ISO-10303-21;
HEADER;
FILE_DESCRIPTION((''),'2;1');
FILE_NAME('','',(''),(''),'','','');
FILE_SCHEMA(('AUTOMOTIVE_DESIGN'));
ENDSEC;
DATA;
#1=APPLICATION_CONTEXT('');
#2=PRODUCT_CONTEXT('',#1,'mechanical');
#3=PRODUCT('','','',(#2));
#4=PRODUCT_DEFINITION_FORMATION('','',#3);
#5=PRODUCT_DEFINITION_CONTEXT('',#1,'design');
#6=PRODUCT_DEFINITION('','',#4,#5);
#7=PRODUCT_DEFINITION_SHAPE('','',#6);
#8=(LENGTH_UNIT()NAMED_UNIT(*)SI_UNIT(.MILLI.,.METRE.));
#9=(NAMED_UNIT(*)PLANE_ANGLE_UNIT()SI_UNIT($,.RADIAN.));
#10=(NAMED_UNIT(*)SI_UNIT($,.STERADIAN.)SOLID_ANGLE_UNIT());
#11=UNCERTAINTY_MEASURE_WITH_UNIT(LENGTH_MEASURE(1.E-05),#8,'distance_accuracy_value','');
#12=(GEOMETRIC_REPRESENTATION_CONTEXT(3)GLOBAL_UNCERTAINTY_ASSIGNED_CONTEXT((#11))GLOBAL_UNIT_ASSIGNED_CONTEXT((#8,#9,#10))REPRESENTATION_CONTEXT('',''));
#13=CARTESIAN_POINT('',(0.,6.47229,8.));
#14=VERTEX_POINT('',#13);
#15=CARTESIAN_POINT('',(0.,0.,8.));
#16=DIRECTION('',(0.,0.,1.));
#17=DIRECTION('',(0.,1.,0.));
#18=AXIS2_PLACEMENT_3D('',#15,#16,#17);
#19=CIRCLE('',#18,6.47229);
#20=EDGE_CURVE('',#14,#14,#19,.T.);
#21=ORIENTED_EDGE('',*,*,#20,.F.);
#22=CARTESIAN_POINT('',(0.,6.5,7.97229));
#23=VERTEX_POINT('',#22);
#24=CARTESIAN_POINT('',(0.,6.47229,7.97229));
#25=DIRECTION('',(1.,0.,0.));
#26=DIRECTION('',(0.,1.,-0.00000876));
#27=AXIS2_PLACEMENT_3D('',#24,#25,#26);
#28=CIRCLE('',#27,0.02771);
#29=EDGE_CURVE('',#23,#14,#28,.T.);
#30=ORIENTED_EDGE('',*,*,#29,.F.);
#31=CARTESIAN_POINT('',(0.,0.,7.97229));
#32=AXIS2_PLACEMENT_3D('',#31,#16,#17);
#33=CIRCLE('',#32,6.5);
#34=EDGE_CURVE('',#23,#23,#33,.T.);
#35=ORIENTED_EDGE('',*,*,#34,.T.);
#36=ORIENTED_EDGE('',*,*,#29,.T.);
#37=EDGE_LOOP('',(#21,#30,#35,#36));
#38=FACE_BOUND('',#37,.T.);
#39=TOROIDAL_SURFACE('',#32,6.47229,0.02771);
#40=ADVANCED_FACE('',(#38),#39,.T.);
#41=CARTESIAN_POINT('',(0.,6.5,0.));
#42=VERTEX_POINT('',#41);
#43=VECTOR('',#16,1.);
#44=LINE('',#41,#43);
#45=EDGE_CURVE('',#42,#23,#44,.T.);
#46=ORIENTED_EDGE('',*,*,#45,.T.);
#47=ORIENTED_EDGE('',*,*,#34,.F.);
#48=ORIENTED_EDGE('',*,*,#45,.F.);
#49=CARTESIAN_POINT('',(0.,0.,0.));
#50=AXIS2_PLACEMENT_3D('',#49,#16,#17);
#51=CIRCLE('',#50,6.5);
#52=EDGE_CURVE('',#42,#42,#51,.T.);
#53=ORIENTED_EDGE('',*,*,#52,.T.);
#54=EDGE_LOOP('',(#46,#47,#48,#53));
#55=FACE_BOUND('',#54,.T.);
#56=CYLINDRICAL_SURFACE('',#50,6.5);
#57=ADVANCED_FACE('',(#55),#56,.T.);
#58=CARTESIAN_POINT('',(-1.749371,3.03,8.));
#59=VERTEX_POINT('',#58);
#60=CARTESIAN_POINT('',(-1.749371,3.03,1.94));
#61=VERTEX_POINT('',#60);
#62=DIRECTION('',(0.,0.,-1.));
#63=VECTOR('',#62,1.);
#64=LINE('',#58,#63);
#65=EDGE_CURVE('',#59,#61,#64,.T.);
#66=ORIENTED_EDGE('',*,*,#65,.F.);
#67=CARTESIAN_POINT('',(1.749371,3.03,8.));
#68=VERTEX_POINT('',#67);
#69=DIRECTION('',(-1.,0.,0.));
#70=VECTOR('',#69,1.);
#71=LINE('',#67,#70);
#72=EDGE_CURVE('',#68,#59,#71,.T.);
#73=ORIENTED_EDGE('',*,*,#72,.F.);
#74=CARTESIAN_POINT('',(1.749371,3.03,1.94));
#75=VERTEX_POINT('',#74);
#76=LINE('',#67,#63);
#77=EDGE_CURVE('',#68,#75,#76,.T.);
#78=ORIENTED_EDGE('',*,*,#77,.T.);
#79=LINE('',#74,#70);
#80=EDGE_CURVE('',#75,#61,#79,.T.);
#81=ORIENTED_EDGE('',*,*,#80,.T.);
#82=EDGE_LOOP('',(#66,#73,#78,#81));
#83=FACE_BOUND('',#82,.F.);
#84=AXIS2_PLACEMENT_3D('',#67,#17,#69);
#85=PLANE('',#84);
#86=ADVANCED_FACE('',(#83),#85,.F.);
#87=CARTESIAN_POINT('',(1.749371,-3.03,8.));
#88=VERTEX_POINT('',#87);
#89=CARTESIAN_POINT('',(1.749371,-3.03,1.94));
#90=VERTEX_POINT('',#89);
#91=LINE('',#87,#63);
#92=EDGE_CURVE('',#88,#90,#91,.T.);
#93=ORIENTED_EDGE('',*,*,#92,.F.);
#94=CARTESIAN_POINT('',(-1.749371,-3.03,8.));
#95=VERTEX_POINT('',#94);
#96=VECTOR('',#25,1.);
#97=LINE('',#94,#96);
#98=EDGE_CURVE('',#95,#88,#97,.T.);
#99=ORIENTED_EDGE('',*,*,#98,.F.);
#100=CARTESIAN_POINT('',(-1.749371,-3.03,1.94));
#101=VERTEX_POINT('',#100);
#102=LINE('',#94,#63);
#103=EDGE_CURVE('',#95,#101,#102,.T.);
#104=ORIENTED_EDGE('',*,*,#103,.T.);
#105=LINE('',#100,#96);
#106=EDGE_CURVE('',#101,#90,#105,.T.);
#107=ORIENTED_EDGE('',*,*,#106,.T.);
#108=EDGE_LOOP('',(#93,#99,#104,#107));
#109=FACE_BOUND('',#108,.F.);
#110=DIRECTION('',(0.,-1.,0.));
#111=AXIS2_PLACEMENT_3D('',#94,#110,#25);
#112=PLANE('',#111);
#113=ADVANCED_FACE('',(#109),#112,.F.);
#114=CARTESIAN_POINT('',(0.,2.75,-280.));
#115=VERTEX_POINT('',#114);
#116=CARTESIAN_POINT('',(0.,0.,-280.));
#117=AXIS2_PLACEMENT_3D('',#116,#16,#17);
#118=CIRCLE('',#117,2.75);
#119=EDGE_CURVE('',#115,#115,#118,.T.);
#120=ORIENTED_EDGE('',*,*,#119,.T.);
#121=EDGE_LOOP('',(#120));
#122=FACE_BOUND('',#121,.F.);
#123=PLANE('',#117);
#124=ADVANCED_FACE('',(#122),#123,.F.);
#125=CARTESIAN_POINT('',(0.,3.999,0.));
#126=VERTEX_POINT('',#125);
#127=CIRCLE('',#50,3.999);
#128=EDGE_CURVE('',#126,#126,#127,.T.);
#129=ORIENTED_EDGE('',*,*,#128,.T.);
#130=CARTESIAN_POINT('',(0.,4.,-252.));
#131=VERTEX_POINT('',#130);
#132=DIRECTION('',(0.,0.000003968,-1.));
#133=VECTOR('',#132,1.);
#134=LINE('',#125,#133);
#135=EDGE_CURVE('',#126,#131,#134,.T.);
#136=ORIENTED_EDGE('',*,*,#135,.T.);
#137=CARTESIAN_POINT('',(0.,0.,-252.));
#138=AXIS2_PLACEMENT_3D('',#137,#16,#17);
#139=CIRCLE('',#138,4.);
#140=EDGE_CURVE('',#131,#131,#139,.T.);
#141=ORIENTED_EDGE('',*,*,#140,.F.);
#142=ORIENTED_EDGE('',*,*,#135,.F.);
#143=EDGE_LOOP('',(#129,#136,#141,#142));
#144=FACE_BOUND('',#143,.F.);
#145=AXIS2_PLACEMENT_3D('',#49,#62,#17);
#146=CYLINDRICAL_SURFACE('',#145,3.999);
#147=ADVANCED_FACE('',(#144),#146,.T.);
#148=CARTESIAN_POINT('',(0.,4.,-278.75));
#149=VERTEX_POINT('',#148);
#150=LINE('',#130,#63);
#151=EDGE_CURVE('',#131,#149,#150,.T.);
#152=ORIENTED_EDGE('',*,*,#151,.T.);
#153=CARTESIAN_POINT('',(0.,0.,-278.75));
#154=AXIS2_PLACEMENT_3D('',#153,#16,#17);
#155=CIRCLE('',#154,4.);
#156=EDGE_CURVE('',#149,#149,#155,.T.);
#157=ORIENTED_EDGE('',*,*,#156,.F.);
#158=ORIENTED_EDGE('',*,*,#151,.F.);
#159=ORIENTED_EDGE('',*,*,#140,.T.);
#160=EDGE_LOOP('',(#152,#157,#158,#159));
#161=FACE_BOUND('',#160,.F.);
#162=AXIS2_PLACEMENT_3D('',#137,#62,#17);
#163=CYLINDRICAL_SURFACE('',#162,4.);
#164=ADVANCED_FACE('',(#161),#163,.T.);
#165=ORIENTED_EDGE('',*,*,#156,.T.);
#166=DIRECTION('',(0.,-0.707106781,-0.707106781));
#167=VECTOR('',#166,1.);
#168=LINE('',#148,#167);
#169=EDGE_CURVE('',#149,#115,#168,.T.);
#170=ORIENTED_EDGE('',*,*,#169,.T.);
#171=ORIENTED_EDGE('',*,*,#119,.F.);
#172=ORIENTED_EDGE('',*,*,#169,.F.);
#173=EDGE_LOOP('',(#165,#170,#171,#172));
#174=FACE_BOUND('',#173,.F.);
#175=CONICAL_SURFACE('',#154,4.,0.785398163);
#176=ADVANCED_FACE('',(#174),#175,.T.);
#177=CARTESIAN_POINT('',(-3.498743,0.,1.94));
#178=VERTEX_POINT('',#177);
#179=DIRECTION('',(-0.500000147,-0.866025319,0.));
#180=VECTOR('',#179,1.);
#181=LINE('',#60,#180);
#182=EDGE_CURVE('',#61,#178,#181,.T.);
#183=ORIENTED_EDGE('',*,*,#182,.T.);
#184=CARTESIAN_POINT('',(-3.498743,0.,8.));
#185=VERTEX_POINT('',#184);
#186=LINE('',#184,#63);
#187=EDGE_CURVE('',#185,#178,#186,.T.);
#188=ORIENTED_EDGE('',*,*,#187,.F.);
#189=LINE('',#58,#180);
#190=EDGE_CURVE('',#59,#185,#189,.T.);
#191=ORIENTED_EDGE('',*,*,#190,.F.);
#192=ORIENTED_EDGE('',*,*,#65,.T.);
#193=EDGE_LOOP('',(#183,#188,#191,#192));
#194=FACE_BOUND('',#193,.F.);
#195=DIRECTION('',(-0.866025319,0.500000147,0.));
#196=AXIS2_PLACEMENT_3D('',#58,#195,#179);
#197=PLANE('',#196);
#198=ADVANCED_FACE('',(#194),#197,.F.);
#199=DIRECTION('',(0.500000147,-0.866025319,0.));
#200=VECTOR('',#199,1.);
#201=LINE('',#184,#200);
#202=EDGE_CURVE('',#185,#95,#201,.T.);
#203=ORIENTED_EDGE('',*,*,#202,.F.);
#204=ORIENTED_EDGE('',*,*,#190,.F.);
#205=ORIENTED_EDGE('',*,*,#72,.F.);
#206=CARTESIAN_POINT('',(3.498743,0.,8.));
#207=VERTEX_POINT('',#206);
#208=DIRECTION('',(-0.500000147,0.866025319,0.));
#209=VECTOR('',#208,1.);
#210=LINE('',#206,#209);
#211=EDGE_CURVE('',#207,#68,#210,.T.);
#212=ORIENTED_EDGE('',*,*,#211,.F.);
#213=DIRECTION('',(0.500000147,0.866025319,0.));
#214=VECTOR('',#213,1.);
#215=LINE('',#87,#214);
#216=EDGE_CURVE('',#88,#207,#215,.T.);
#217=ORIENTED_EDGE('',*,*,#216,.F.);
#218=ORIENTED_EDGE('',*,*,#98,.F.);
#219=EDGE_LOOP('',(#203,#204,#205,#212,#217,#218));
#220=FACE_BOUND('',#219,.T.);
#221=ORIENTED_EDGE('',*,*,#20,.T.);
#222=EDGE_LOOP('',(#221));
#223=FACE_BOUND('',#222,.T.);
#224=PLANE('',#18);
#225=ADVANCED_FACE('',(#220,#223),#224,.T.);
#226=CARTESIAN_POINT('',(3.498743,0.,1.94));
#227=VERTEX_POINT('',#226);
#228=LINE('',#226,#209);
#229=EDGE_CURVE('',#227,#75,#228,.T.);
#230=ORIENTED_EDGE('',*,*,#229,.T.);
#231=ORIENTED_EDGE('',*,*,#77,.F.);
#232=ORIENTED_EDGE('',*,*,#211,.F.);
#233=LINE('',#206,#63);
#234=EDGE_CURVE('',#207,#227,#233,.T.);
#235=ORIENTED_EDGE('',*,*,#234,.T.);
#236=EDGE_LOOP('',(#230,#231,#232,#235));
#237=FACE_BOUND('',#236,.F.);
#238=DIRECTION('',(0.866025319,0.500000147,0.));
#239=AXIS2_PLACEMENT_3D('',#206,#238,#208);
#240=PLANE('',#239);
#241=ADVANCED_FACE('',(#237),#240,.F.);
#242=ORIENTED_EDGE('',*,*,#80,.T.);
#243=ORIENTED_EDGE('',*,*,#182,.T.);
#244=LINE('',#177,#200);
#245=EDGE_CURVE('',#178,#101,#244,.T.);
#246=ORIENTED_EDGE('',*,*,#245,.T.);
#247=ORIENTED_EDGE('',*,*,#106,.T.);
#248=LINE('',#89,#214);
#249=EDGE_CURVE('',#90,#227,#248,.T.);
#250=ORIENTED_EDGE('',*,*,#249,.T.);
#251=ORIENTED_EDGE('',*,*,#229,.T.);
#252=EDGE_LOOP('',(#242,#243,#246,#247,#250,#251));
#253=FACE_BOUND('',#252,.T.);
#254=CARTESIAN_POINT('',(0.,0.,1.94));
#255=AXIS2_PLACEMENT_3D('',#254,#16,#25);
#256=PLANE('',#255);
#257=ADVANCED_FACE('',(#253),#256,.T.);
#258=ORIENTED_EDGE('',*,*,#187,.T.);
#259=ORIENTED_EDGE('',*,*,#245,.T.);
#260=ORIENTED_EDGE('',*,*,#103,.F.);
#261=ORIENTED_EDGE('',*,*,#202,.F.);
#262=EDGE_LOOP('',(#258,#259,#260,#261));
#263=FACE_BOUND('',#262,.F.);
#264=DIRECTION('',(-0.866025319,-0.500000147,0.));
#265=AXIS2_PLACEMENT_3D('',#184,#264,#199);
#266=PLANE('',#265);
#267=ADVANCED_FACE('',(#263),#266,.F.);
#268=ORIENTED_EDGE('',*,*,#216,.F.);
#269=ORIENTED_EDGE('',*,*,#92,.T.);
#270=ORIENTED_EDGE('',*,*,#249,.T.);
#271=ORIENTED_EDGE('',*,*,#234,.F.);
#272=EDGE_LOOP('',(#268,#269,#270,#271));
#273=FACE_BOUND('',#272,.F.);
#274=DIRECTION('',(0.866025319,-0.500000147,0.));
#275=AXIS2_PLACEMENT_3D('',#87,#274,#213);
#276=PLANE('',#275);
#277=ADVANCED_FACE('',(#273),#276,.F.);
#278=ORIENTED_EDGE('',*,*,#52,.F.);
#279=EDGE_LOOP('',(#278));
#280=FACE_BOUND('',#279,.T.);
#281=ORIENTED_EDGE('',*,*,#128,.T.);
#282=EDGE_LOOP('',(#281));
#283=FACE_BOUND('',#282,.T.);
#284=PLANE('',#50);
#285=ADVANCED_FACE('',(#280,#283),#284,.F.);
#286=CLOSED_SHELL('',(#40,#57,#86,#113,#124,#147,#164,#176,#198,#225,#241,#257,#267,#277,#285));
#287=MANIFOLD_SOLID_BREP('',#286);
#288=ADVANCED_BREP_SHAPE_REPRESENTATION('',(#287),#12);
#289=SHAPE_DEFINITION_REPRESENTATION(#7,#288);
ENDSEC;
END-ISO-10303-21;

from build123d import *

# Parameters (mm, degrees)
POCKET_DEPTH = 6.06


with BuildPart() as part:
    # Sketch → Revolve (revolve)
    with BuildSketch(Plane.YZ):
        with BuildLine():
            Line((3.999, 0), (6.5, 0))
            Line((6.5, 0), (6.5, 7.97229))
            ThreePointArc((6.5, 7.97229), (6.491884, 7.991884), (6.47229, 8))
            Line((6.47229, 8), (0, 8))
            Line((0, -280), (0, 8))
            Line((2.75, -280), (0, -280))
            Line((4, -278.75), (2.75, -280))
            Line((4, -252), (4, -278.75))
            Line((3.999, 0), (4, -252))
        make_face()
    revolve(axis=Axis((0, 0, 0), (0, 0, 1)))

    # Sketch001 → Pocket (cut)
    with BuildSketch(Plane.XY.offset(8)):
        Polygon((3.498743, 0), (1.749371, 3.03), (-1.749371, 3.03), (-3.498743, 0), (-1.749371, -3.03), (1.749371, -3.03), align=None)
    extrude(amount=-POCKET_DEPTH, mode=Mode.SUBTRACT)


solid = part.part
